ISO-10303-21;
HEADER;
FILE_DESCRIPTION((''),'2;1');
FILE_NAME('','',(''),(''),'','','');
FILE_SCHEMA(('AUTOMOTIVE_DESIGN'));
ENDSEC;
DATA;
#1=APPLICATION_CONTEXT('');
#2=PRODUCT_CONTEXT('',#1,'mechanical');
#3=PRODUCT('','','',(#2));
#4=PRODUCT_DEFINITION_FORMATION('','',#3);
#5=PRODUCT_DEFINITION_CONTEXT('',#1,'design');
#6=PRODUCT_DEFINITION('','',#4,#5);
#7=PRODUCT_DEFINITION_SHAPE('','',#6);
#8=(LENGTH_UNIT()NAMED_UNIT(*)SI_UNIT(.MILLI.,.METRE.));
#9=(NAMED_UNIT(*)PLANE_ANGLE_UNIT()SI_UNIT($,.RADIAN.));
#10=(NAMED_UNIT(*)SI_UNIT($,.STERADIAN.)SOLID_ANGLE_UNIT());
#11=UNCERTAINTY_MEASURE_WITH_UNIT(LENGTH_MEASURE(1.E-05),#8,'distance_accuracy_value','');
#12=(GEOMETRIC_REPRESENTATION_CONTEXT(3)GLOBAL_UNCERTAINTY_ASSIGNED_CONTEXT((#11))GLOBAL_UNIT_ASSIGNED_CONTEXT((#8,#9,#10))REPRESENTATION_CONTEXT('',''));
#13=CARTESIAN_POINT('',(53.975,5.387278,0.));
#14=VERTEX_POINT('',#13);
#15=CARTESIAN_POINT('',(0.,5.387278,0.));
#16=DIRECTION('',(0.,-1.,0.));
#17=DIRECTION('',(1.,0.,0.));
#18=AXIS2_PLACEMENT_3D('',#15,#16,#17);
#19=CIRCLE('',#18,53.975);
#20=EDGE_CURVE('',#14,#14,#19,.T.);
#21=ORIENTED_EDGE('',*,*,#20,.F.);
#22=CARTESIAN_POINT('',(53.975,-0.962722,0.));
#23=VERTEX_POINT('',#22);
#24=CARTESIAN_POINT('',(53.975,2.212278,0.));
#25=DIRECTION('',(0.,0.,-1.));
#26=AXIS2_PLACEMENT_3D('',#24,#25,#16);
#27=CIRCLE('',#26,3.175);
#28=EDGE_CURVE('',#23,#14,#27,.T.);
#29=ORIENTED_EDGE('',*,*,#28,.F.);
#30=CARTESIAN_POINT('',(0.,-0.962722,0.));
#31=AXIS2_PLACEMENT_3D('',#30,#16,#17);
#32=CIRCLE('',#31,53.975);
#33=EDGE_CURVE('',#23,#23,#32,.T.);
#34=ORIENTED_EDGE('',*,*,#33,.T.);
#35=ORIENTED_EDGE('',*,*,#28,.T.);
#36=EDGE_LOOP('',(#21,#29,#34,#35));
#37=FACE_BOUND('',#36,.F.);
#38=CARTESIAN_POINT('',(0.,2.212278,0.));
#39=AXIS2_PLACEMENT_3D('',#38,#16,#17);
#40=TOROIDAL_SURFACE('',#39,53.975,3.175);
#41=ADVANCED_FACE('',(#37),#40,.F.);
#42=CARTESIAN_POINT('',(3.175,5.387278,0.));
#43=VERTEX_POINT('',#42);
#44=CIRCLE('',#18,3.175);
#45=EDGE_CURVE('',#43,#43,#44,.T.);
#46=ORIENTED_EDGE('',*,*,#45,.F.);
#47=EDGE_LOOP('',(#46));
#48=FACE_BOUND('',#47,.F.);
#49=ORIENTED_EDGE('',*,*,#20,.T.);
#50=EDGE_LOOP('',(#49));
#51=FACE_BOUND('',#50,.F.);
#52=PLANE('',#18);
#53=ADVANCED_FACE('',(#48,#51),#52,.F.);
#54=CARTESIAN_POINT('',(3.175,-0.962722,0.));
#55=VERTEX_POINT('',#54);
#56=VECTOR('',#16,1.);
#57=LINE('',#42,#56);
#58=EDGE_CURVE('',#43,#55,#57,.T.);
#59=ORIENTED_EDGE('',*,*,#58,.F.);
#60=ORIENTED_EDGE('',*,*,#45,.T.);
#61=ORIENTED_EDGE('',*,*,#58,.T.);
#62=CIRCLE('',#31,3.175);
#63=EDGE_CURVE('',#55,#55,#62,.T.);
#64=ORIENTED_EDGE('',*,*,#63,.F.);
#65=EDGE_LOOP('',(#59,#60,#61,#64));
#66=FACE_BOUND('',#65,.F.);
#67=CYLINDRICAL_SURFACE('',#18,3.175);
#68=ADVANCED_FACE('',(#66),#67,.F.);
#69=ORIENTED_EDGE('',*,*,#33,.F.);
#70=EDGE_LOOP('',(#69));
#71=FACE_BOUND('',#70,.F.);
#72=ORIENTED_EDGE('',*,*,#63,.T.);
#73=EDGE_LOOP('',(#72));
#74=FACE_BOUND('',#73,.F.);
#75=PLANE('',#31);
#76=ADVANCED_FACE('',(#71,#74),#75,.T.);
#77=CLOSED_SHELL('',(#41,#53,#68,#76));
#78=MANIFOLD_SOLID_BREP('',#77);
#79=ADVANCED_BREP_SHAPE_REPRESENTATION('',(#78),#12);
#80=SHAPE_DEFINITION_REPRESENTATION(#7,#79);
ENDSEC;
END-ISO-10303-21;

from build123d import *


with BuildPart() as f1:
    # F0 (on Top) → F1 (revolve)
    with BuildSketch(Plane.XY):
        with BuildLine():
            Line((53.975, 5.387278), (3.175, 5.387278))
            Line((3.175, 5.387278), (3.175, -0.962722))
            Line((3.175, -0.962722), (53.975, -0.962722))
            ThreePointArc((53.975, -0.962722), (50.8, 2.212278), (53.975, 5.387278))
        make_face()
    revolve(axis=Axis((0, 2.94924, 0), (0, -1, 0)))


solid = f1.part
